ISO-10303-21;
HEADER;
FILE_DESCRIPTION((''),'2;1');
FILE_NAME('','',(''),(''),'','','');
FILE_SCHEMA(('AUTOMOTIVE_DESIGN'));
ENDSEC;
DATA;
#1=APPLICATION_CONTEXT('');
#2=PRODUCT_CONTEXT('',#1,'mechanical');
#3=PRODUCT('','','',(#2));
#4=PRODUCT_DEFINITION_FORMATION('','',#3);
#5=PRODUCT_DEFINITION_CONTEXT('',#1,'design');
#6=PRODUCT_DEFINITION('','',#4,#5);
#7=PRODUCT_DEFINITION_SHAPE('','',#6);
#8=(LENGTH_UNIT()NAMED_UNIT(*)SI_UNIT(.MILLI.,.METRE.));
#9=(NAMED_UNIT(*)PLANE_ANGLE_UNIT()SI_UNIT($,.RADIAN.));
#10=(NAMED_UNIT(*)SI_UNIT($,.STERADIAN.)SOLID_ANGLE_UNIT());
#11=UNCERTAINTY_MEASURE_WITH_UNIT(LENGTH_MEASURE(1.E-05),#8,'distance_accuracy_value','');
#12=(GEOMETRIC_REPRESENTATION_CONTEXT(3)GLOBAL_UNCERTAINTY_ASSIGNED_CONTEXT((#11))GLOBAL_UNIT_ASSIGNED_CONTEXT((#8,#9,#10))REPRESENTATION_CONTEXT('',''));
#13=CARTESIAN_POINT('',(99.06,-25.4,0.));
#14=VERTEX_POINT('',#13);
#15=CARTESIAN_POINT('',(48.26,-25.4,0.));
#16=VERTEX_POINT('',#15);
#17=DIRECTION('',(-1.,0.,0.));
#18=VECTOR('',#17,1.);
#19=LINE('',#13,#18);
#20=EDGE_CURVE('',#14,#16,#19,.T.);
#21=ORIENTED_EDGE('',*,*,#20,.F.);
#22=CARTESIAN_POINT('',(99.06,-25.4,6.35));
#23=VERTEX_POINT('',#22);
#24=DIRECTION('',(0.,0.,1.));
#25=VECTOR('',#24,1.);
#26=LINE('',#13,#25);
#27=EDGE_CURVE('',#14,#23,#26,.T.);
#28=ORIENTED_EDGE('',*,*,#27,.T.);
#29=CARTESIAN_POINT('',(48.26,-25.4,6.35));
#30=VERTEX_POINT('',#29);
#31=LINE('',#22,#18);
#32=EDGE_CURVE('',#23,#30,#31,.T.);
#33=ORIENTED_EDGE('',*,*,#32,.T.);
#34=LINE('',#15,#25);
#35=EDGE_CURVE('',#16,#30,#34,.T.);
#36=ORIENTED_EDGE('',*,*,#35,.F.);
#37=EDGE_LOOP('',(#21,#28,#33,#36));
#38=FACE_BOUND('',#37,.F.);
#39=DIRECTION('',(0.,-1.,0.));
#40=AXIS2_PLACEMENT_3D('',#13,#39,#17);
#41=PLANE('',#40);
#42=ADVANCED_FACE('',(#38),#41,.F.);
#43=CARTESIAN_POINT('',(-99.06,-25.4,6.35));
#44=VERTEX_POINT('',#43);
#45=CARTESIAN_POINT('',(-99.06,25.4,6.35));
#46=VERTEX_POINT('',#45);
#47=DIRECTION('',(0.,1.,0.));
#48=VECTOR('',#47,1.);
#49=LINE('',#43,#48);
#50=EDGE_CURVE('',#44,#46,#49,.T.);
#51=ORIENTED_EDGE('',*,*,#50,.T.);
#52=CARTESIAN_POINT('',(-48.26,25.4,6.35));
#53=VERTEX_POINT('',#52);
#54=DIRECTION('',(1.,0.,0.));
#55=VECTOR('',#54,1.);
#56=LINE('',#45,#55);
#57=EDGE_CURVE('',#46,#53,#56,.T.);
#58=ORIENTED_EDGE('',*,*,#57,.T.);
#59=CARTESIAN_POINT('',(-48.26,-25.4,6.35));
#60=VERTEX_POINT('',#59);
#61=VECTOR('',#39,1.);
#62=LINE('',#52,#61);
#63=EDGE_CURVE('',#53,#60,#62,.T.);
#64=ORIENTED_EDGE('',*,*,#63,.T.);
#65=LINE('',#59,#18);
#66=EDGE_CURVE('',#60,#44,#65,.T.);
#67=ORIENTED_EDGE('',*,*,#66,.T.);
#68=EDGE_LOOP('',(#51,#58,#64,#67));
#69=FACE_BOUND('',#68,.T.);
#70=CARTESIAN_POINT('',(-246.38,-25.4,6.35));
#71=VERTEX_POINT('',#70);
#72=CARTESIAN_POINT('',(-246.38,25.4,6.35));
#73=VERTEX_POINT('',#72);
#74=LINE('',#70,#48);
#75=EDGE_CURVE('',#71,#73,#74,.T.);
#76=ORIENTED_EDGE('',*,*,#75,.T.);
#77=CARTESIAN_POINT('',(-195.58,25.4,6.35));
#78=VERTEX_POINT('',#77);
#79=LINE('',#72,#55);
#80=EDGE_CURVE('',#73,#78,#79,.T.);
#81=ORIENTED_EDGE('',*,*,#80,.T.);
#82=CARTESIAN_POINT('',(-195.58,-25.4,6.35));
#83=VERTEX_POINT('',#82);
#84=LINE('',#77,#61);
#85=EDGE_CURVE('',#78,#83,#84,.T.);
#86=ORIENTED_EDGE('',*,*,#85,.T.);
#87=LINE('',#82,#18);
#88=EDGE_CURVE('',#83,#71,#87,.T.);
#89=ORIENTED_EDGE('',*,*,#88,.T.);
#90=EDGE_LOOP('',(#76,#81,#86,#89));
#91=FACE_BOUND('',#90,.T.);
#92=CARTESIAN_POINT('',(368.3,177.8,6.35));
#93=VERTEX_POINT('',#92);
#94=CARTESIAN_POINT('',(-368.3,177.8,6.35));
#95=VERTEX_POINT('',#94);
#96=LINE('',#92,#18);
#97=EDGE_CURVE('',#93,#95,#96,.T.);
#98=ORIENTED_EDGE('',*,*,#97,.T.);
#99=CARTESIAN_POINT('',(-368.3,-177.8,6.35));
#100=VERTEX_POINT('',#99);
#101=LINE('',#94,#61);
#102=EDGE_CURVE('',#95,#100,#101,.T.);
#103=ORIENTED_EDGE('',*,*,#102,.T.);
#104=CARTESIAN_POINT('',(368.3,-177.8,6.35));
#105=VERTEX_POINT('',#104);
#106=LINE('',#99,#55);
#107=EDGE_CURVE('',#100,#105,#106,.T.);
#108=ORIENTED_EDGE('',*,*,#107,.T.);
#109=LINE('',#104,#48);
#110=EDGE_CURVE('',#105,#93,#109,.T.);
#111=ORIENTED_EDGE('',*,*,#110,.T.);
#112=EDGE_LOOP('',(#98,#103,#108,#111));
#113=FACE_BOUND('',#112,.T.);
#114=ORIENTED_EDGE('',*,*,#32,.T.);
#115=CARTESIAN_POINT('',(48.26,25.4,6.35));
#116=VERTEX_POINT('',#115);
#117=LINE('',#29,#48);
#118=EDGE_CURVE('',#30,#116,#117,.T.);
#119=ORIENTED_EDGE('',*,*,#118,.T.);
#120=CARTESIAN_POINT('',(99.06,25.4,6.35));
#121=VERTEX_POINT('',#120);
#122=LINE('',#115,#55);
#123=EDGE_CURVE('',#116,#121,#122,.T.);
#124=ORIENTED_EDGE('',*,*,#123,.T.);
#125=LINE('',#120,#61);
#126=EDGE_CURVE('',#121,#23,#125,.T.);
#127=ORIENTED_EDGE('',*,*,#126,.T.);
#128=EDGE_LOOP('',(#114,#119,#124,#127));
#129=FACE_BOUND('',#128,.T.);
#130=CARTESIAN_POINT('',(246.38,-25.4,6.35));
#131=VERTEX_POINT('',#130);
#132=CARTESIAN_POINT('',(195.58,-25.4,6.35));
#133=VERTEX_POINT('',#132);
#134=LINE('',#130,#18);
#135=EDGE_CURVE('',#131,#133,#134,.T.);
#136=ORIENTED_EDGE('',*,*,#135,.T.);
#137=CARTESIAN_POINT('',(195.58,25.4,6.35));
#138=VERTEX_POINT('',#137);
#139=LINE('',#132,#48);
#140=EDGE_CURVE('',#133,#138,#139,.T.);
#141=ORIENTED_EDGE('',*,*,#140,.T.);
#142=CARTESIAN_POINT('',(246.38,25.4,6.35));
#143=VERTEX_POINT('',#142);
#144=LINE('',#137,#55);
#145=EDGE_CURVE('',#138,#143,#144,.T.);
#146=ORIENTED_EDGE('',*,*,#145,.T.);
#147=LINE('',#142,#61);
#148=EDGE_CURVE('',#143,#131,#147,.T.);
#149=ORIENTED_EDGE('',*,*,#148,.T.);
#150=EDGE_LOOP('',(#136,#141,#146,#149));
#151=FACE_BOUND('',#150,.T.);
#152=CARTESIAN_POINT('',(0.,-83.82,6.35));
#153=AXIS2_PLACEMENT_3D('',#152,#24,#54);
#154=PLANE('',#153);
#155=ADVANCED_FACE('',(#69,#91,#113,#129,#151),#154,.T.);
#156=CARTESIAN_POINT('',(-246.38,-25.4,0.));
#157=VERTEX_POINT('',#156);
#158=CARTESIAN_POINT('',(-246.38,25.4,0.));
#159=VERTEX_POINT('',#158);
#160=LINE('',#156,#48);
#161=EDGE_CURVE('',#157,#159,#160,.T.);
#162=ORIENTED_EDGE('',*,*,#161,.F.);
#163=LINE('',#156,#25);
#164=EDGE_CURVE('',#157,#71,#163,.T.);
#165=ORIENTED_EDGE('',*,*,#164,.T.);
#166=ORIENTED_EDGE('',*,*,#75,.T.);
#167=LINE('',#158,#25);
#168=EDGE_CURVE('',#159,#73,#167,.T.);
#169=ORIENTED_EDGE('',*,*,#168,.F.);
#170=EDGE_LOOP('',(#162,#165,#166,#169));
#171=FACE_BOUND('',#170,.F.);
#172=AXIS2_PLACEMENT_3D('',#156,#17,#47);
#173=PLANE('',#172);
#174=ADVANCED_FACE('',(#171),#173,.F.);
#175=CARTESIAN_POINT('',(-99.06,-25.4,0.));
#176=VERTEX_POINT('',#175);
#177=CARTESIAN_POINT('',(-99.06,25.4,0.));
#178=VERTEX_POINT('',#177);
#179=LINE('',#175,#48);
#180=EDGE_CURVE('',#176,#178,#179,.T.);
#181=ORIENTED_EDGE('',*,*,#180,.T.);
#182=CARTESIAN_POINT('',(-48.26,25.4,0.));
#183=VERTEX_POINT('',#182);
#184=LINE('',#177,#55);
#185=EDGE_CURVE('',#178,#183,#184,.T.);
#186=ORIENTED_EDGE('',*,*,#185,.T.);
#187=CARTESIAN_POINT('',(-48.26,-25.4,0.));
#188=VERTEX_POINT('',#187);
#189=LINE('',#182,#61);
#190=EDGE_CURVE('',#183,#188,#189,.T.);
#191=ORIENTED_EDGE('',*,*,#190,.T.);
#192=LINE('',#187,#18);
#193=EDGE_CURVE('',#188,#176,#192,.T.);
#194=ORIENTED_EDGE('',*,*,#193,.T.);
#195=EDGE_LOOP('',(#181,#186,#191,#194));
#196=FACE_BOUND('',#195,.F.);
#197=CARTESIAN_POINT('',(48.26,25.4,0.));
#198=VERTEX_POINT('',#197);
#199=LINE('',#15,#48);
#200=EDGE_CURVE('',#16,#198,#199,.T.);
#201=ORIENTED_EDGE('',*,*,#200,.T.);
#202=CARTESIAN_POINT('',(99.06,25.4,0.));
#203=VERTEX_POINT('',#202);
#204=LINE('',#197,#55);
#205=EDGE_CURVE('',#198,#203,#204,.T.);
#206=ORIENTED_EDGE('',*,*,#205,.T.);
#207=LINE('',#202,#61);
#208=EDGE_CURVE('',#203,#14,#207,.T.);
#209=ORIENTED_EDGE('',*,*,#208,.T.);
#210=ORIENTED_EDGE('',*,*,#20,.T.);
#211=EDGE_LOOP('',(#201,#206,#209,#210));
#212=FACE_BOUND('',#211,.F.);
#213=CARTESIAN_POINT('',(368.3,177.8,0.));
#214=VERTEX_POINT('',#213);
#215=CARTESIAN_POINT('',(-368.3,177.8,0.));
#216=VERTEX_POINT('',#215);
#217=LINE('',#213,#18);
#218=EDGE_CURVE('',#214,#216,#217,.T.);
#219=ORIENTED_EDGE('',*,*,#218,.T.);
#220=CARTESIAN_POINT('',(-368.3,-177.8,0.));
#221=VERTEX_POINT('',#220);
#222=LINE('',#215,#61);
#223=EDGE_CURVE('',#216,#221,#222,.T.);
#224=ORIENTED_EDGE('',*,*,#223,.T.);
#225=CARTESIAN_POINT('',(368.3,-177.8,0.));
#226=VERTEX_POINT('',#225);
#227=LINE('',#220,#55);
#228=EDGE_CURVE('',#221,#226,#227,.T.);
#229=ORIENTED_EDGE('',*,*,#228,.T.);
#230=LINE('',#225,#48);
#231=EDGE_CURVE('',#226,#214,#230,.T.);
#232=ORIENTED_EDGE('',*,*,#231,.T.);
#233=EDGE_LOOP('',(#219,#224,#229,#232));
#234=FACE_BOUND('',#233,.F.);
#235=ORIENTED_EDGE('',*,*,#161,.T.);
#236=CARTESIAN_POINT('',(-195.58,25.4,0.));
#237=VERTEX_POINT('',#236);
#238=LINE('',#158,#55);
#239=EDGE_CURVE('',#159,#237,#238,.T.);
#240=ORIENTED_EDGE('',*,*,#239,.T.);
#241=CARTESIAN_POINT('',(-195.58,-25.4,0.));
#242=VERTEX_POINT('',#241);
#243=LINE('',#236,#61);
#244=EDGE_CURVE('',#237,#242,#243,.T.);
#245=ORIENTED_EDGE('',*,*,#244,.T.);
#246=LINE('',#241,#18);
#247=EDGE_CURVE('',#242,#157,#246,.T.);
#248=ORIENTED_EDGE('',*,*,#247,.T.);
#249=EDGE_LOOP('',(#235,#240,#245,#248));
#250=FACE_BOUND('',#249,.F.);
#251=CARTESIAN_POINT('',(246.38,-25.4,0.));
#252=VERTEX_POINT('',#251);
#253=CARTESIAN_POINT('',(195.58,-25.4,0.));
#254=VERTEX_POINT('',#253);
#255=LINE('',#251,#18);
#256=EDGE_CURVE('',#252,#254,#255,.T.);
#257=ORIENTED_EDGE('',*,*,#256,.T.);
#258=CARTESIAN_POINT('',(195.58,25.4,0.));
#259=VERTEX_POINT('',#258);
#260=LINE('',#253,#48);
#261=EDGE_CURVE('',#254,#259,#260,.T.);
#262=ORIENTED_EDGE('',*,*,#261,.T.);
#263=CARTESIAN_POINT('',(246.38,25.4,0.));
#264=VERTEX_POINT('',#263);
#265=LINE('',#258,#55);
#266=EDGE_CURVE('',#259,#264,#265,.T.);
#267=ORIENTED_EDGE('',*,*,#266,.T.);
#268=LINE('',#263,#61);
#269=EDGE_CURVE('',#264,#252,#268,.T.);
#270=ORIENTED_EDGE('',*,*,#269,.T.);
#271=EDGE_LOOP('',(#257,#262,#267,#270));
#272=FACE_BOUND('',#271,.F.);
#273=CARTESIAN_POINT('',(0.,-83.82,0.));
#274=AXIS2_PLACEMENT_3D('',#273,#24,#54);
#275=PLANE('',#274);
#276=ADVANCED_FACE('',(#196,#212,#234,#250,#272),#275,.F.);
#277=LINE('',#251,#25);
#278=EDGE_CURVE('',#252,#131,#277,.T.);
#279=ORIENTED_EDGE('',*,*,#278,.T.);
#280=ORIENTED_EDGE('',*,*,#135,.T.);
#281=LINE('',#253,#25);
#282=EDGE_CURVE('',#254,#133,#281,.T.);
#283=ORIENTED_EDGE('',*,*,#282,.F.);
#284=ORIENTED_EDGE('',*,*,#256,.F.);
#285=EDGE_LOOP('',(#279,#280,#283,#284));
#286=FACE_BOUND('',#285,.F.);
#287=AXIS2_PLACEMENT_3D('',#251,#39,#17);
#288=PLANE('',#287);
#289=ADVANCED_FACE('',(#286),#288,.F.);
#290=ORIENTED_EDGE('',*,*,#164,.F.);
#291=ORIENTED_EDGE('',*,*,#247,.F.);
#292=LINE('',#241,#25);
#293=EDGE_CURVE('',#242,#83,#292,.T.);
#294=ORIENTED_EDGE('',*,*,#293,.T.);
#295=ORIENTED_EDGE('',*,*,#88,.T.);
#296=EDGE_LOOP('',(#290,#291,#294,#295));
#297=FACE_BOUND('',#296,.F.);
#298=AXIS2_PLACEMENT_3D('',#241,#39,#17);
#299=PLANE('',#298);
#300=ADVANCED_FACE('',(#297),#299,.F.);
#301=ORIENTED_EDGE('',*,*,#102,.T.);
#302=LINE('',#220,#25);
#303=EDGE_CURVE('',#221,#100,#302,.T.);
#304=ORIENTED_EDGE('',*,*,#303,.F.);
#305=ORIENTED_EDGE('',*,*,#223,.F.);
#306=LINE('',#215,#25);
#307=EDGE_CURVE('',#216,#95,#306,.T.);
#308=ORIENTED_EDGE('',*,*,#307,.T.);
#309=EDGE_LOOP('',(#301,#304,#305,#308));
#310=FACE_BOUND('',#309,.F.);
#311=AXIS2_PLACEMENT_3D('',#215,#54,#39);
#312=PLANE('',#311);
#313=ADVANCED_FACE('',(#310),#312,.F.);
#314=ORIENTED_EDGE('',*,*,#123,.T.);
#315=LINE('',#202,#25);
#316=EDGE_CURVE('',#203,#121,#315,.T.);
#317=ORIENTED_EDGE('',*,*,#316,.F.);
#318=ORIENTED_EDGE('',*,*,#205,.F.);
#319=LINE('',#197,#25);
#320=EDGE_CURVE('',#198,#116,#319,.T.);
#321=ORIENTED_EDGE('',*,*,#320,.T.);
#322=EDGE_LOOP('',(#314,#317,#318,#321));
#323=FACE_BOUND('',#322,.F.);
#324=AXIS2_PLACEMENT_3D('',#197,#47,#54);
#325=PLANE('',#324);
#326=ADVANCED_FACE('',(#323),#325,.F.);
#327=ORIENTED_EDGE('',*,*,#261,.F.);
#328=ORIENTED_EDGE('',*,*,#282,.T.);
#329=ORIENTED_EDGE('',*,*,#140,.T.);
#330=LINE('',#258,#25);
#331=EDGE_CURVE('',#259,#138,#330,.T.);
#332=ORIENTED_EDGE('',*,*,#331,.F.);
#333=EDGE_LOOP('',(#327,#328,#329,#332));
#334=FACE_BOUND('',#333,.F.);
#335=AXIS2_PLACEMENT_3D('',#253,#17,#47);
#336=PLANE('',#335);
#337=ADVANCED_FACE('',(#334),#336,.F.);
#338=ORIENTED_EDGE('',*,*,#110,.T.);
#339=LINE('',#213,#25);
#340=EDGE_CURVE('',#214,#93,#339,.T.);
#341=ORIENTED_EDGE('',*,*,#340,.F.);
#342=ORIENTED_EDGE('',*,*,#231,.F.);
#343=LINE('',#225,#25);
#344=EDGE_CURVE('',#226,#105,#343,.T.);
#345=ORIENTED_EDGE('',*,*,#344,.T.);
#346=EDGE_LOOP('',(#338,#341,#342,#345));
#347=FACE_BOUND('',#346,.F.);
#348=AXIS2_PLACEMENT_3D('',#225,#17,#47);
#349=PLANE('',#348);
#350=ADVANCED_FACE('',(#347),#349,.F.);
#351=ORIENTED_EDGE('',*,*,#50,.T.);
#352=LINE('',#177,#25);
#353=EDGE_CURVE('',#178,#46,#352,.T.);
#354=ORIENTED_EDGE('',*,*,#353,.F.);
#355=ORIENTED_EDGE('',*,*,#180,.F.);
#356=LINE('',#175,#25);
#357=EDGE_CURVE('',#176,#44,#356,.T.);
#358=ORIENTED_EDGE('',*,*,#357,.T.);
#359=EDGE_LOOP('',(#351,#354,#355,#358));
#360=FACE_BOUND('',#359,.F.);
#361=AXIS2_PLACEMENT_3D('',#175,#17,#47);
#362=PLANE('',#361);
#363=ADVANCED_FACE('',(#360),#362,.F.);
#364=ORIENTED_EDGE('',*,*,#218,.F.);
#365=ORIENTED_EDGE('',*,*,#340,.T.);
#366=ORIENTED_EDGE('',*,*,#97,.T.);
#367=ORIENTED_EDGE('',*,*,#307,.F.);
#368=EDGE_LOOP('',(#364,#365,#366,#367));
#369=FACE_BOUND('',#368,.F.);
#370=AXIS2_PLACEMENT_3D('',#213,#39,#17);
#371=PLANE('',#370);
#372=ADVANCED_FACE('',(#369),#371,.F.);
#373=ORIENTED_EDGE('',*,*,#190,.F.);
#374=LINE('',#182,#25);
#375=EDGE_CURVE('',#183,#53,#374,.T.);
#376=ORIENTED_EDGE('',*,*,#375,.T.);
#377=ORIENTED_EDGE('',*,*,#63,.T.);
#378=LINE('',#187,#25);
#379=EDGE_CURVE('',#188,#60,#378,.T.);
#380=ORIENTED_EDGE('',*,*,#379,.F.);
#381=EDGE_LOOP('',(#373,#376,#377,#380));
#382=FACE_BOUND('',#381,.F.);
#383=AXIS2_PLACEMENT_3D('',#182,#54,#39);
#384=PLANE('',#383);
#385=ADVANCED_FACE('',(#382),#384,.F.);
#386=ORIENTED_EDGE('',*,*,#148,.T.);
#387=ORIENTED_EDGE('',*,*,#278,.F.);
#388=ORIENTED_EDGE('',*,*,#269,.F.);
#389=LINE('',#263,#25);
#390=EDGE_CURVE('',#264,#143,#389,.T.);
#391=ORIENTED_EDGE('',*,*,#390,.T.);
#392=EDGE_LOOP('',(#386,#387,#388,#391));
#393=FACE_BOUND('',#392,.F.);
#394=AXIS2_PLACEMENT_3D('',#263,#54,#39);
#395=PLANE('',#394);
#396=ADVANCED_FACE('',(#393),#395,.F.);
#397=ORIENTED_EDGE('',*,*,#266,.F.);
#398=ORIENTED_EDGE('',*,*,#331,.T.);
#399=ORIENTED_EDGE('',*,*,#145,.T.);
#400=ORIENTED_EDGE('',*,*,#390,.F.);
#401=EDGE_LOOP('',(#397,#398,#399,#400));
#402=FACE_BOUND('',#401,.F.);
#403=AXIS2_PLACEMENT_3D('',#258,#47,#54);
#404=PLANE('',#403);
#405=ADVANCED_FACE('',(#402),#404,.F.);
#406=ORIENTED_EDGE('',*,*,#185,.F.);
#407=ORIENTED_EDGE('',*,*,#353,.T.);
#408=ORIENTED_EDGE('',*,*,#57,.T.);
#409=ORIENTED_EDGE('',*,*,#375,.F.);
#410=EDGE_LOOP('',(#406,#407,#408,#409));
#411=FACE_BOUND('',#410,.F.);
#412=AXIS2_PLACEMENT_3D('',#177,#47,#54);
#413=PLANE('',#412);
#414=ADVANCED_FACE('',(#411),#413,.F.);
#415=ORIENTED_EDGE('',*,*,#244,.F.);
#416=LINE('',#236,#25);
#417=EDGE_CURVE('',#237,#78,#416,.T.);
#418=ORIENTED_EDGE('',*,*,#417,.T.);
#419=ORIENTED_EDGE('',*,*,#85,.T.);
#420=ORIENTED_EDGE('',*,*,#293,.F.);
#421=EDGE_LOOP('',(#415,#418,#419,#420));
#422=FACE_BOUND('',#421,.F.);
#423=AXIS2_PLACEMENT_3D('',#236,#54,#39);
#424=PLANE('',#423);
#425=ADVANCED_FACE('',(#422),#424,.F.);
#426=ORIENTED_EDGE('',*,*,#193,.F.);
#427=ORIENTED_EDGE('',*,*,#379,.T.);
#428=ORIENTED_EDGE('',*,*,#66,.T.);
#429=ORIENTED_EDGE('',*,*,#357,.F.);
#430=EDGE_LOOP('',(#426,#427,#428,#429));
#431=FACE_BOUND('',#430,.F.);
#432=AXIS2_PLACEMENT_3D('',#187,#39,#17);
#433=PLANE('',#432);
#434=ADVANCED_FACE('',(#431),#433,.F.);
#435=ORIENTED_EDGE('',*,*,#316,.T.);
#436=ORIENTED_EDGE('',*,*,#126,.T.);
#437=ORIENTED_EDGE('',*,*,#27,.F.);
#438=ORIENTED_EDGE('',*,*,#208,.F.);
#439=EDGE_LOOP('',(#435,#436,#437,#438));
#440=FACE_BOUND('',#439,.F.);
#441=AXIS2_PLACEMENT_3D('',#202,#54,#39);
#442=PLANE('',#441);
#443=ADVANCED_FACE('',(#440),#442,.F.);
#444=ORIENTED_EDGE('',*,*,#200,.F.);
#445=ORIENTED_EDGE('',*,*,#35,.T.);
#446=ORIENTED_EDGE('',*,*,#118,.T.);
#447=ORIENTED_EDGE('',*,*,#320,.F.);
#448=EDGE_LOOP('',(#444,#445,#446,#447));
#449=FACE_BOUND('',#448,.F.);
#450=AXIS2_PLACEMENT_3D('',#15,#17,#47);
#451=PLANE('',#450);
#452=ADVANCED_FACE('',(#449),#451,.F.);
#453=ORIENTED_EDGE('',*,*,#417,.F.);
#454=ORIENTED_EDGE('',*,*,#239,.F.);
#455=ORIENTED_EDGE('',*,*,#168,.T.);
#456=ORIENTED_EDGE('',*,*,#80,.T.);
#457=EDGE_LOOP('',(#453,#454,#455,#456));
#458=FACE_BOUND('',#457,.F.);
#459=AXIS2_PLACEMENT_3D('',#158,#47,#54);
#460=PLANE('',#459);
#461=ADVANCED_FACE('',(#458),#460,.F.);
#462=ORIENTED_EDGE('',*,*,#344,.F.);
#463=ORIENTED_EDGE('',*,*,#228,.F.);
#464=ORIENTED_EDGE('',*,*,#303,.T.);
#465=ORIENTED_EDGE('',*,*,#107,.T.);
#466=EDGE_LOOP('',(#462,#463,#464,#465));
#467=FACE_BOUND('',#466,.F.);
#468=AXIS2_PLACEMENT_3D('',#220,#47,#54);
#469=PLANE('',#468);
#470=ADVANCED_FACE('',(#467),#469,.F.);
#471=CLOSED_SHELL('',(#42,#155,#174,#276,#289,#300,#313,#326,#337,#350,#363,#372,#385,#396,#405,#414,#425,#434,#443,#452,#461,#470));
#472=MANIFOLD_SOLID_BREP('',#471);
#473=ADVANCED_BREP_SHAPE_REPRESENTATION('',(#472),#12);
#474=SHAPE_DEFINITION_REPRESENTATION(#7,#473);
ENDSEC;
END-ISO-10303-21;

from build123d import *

# Parameters (mm, degrees)
F1_DEPTH = 6.35


with BuildPart() as f1:
    # F0 (on Top) → F1 (new body)
    with BuildSketch(Plane.XY):
        Polygon((-368.3, -177.8), (368.3, -177.8), (368.3, 0), (246.38, 0), (246.38, -25.4), (195.58, -25.4), (195.58, 0), (99.06, 0), (99.06, -25.4), (48.26, -25.4), (48.26, 0), (-48.26, 0), (-48.26, -25.4), (-99.06, -25.4), (-99.06, 0), (-195.58, 0), (-195.58, -25.4), (-246.38, -25.4), (-246.38, 0), (-368.3, 0), align=None)
        Polygon((246.38, 0), (368.3, 0), (368.3, 177.8), (-368.3, 177.8), (-368.3, 0), (-246.38, 0), (-246.38, 25.4), (-195.58, 25.4), (-195.58, 0), (-99.06, 0), (-99.06, 25.4), (-48.26, 25.4), (-48.26, 0), (48.26, 0), (48.26, 25.4), (99.06, 25.4), (99.06, 0), (195.58, 0), (195.58, 25.4), (246.38, 25.4), align=None)
    extrude(amount=F1_DEPTH)


solid = f1.part
